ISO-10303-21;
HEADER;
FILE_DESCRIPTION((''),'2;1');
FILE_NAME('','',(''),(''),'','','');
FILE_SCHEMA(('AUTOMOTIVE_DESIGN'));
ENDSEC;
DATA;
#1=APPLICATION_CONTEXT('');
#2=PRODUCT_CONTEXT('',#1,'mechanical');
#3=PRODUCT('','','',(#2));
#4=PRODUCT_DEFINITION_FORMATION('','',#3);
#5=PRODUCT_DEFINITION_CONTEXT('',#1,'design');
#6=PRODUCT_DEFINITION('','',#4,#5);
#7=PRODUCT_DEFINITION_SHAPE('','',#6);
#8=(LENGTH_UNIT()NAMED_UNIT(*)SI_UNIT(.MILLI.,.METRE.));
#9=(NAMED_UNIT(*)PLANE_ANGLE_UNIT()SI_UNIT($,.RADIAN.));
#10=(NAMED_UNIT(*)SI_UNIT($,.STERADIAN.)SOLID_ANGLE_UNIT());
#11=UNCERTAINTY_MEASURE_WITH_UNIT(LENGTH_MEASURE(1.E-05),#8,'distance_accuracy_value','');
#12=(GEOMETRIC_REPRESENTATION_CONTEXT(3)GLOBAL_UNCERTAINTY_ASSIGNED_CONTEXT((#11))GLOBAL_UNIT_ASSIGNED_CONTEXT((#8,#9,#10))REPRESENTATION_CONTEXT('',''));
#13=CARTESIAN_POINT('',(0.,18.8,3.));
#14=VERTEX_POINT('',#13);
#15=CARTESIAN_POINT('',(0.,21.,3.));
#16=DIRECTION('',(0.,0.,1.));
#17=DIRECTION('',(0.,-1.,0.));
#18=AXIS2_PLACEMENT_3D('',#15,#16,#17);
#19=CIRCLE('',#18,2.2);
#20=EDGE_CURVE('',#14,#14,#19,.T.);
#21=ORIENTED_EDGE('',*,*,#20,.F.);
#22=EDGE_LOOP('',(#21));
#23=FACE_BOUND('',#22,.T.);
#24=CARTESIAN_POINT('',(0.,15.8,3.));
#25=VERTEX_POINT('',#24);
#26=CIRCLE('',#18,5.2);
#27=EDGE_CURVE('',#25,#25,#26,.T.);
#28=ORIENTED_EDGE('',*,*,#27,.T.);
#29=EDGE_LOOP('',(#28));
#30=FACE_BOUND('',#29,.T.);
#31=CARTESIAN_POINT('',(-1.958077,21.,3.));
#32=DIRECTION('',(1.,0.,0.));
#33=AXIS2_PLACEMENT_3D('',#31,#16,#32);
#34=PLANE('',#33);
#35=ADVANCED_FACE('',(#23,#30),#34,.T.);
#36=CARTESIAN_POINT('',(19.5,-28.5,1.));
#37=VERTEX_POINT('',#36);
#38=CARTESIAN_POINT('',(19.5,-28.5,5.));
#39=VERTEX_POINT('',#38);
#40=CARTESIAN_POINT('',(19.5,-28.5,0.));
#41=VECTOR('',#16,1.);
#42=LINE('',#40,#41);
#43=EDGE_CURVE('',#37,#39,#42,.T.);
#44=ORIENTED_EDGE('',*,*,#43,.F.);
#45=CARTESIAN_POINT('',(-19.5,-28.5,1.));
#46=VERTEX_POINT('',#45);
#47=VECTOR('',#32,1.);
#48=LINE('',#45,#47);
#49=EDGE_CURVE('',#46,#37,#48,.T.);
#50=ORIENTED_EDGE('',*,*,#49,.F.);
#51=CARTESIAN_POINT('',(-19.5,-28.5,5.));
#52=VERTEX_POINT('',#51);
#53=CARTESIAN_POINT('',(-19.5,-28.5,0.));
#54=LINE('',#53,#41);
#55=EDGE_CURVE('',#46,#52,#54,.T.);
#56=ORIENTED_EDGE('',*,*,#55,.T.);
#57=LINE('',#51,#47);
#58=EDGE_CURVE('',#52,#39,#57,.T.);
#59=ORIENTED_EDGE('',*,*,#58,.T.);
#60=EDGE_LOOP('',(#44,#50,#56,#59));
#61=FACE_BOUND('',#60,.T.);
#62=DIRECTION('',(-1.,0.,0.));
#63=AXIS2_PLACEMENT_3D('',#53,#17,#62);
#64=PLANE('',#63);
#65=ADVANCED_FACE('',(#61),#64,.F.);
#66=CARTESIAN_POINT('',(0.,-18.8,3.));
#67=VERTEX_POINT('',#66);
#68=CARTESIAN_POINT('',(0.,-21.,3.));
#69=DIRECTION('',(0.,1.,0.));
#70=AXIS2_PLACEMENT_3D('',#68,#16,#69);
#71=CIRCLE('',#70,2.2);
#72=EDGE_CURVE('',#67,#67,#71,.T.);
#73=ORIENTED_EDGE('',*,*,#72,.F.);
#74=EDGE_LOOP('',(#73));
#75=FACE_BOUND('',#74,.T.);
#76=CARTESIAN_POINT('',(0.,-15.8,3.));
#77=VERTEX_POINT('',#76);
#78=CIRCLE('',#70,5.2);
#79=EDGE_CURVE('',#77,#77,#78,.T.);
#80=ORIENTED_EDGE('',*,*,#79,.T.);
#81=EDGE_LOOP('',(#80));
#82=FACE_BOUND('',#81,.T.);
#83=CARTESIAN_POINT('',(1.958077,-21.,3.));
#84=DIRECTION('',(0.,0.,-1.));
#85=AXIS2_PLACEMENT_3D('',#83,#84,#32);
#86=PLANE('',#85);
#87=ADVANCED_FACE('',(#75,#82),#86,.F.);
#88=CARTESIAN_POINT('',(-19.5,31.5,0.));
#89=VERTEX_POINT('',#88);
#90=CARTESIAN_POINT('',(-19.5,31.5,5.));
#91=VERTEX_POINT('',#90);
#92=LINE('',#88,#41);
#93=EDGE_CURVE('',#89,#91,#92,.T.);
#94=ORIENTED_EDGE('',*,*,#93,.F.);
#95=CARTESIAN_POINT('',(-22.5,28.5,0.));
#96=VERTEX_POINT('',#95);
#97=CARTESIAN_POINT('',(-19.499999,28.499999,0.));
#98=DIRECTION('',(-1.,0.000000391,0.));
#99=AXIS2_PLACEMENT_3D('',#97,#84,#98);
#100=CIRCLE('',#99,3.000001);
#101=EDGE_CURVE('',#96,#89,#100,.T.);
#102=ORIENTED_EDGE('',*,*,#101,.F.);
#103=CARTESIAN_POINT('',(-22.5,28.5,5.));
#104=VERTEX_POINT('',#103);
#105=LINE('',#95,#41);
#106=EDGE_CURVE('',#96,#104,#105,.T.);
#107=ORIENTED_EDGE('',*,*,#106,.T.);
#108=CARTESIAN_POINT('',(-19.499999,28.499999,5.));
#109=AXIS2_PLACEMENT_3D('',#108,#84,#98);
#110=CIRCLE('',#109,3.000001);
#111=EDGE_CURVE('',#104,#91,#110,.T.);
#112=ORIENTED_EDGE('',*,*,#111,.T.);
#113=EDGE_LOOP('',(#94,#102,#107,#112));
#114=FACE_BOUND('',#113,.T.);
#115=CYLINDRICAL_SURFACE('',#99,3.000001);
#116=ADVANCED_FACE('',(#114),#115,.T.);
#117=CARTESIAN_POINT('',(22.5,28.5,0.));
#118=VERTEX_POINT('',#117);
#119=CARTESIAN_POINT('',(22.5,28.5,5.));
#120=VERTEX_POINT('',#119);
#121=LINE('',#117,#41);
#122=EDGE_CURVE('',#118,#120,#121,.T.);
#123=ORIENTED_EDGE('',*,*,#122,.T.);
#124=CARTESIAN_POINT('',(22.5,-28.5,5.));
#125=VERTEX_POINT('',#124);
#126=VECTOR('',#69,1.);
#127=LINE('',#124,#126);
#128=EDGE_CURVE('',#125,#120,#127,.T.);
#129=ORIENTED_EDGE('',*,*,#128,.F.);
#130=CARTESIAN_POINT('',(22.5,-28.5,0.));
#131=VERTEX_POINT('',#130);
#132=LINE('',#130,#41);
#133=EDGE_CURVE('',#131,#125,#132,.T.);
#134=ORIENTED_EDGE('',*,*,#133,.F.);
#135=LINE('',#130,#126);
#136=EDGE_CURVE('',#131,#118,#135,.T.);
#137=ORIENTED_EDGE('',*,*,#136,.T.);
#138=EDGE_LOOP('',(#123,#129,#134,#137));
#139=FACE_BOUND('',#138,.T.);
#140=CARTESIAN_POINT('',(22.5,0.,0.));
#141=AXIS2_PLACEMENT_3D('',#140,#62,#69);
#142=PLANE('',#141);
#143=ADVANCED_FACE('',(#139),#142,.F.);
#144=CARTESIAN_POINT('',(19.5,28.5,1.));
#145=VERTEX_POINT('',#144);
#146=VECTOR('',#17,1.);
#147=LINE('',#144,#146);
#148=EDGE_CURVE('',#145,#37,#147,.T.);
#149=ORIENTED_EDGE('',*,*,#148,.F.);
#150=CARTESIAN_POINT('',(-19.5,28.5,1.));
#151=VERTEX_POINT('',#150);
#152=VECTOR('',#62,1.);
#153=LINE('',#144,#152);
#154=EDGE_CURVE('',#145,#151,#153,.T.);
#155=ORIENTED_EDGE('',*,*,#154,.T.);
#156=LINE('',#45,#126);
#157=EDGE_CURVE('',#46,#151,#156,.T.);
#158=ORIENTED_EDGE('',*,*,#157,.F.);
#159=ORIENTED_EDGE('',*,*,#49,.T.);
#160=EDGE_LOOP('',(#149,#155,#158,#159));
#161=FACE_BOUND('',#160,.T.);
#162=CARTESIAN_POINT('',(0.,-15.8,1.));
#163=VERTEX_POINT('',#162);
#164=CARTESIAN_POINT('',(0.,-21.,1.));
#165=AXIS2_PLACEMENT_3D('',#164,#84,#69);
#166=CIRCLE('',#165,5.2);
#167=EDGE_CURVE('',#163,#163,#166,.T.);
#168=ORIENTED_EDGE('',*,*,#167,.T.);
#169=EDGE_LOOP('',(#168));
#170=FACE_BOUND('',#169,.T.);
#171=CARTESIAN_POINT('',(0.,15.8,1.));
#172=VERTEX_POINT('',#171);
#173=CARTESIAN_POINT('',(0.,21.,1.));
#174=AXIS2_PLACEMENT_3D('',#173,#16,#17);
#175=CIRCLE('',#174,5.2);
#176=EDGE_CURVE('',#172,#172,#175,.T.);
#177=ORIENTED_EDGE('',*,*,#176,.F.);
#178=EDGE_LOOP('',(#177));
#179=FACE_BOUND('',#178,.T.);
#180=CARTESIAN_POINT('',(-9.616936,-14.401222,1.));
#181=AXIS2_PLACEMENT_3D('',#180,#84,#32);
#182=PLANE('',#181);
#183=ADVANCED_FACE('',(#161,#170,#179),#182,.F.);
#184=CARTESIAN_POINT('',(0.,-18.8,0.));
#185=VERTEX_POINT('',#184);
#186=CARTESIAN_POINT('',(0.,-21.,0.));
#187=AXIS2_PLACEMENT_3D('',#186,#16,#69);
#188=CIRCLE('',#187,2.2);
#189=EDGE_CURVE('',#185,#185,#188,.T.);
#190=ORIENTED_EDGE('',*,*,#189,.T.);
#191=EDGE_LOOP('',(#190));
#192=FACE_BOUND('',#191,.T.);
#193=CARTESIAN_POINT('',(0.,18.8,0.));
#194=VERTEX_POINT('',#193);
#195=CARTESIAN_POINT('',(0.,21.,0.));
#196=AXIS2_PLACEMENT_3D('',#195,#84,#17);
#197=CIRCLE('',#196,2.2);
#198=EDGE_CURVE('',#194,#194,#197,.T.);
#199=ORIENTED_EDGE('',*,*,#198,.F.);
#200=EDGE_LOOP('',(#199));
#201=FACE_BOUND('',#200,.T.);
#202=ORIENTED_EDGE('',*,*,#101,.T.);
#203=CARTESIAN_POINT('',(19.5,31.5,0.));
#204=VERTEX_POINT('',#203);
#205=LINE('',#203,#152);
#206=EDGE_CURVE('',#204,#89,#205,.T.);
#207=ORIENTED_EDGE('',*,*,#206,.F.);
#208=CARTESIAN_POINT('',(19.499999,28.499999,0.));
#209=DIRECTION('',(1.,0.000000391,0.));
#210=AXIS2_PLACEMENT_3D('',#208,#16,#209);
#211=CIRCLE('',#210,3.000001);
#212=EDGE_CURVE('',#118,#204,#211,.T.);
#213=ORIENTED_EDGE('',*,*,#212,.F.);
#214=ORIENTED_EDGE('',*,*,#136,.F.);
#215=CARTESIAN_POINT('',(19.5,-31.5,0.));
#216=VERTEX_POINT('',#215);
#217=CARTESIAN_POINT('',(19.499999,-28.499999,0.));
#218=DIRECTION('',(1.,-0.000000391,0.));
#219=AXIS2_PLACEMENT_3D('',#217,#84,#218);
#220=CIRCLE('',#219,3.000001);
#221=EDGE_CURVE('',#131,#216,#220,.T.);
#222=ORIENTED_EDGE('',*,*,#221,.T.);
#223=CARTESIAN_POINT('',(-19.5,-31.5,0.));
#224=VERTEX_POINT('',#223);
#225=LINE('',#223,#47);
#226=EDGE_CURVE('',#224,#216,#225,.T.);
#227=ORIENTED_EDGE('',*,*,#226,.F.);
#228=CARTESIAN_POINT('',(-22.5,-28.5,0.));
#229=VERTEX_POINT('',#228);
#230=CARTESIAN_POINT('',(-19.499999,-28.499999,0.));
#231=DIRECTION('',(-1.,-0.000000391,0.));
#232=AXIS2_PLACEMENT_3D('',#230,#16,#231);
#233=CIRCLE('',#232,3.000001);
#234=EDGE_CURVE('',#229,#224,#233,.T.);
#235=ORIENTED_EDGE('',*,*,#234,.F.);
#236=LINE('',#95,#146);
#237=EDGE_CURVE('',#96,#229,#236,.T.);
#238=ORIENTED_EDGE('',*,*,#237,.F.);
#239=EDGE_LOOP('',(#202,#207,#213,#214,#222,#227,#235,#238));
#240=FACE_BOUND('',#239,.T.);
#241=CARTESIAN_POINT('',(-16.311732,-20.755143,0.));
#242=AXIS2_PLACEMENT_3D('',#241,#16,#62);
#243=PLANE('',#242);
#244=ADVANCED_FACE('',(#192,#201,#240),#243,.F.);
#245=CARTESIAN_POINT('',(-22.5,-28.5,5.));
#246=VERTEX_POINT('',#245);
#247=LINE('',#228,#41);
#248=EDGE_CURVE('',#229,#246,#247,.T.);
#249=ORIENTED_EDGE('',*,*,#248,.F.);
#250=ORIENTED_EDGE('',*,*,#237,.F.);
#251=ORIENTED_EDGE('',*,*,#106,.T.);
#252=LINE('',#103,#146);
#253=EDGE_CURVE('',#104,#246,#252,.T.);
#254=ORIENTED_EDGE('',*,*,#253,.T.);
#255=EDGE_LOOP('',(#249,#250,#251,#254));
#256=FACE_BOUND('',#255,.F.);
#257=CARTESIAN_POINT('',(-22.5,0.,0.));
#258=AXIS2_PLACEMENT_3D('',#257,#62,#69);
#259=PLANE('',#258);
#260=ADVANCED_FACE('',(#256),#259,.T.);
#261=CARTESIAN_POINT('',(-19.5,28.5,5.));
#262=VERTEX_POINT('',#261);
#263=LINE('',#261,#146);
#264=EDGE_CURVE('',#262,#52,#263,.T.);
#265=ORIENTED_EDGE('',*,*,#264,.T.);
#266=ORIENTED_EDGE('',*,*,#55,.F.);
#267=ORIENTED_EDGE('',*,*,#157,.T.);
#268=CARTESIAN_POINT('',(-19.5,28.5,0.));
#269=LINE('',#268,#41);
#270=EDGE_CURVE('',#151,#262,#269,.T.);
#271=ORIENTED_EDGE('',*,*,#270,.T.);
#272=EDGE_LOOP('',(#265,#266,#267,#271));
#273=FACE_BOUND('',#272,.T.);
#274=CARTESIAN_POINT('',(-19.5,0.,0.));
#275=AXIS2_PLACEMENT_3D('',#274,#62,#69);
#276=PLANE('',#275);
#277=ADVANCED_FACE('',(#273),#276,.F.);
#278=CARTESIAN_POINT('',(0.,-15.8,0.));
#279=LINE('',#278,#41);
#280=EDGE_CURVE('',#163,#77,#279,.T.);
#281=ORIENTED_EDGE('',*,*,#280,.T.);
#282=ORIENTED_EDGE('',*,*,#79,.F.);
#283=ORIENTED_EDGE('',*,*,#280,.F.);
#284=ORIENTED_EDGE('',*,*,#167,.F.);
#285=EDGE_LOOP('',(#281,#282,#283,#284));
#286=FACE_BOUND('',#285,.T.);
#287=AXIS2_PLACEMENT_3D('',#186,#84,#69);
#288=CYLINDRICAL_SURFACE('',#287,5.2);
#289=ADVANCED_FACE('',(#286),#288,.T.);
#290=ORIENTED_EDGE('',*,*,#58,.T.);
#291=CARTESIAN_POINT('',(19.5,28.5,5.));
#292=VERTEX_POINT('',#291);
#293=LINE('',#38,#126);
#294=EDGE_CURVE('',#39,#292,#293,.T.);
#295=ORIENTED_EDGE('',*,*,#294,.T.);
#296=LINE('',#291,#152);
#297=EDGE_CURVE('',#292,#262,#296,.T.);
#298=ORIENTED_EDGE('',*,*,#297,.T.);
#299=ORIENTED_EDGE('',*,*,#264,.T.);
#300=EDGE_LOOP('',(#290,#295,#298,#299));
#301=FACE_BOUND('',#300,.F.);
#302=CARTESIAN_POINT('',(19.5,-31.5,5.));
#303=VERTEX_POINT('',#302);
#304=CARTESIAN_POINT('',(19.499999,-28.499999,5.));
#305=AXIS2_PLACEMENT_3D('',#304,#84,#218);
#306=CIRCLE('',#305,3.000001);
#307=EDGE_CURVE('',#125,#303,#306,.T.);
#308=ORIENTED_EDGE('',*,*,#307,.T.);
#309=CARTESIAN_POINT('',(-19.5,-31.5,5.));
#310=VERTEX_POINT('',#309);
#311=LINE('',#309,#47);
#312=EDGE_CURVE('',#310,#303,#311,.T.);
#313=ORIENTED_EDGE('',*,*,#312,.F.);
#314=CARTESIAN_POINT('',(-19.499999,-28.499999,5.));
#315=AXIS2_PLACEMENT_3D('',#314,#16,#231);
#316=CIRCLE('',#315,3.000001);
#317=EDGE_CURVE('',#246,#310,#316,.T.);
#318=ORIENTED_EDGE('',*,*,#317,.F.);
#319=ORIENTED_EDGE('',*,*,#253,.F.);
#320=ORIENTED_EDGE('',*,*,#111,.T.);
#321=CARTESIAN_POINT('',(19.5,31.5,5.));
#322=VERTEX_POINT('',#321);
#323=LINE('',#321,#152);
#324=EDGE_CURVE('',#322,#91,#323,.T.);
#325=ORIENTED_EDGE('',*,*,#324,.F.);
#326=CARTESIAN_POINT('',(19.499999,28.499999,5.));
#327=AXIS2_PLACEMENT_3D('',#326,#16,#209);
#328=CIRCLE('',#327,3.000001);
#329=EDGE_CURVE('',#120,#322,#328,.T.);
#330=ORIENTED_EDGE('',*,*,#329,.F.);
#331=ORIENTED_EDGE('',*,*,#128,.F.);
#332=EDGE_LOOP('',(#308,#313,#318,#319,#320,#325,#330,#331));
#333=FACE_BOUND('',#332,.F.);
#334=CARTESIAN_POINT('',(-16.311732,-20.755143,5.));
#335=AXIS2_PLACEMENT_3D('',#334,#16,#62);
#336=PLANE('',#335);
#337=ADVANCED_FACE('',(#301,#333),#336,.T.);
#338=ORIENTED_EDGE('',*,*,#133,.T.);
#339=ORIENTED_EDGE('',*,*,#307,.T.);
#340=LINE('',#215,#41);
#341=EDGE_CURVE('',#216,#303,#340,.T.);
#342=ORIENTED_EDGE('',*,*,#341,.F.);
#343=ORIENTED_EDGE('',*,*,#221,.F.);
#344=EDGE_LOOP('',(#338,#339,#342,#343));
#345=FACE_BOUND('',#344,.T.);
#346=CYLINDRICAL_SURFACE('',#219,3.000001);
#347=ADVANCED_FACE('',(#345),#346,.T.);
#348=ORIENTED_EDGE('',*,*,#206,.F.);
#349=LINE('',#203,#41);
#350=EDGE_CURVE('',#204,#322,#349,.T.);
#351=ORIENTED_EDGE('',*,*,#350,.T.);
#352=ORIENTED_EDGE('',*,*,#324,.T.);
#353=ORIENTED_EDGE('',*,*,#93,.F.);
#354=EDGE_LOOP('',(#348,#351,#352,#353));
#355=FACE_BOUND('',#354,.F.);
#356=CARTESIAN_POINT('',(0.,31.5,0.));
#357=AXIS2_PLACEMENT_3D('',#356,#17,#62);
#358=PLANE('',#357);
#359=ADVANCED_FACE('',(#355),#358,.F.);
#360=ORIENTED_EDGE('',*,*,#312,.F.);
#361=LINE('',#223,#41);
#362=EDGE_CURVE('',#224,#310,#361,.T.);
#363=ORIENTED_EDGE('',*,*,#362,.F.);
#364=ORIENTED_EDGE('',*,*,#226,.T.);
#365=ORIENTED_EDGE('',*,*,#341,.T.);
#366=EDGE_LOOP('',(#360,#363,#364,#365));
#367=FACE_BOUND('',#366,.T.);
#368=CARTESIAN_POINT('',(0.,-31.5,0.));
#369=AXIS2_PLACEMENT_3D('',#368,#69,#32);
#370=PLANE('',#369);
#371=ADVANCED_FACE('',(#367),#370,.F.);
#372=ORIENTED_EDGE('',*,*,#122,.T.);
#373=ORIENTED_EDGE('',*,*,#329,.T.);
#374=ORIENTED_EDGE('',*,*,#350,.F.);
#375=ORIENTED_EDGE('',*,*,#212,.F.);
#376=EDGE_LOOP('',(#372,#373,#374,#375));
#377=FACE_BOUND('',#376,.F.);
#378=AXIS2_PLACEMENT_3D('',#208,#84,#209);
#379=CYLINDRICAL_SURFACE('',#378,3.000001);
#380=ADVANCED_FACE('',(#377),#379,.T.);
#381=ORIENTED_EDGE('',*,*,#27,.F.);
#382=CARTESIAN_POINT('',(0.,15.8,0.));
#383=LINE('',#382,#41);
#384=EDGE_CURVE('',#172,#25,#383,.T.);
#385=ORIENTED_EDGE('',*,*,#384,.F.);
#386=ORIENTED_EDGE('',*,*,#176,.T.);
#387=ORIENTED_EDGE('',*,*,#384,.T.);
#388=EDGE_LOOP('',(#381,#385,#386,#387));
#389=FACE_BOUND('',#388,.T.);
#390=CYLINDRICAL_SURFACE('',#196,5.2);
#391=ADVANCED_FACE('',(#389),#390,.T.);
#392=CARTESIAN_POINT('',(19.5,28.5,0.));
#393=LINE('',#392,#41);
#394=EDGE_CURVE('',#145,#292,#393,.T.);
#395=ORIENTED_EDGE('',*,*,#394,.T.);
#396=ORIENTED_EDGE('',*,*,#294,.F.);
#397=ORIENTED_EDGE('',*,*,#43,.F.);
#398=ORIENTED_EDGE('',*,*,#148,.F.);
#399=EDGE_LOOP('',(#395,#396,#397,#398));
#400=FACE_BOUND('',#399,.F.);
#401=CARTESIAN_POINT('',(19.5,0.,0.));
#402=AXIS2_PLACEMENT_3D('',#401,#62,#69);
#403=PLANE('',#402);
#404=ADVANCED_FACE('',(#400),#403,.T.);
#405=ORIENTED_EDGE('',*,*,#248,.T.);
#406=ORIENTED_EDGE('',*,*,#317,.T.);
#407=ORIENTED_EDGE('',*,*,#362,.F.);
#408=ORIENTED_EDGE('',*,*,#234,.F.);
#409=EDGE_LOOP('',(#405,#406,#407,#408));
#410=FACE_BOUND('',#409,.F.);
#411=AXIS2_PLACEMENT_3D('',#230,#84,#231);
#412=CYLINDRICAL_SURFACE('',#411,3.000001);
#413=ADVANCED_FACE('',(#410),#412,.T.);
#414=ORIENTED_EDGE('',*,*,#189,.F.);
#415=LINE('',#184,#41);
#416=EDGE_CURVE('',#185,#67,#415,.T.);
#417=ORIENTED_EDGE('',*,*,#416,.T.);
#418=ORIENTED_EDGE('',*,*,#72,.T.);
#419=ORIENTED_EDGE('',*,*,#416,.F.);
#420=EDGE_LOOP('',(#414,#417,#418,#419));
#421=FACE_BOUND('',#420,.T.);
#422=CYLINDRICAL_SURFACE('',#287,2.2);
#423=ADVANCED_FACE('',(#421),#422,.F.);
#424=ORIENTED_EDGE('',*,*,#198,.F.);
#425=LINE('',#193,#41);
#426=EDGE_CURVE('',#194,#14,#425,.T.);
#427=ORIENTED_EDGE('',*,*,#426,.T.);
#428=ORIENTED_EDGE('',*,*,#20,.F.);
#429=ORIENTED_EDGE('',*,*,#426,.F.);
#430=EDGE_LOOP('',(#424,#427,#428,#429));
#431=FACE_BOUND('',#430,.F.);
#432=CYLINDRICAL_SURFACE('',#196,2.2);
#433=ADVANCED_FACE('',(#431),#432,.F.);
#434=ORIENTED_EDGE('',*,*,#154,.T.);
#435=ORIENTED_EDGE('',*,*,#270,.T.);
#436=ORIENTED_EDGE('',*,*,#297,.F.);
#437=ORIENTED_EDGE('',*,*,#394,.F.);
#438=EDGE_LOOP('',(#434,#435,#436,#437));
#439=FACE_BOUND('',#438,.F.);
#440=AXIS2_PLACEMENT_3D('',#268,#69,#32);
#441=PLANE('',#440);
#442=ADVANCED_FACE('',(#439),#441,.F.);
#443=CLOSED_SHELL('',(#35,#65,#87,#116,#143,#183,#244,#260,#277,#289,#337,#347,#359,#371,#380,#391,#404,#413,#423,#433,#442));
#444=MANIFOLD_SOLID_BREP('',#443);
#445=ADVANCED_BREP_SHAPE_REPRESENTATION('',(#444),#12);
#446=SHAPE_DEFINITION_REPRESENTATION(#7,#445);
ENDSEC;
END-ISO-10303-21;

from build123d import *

# Parameters (mm, degrees)
PAD_DEPTH               = 1
PAD001_DEPTH            = 3
PAD002_DEPTH            = 5
PAD_MIRRORED_2_DEPTH    = 1
PAD001_MIRRORED_2_DEPTH = 3
PAD002_MIRRORED_2_DEPTH = 5


with BuildPart() as part:
    # Sketch → Pad (new body)
    with BuildSketch(Plane.XY):
        with BuildLine():
            Line((0, 0), (19.5, 0))
            Line((19.5, 0), (19.5, 28.5))
            Line((19.5, 28.5), (0, 28.5))
            Line((0, 28.5), (0, 23.2))
            ThreePointArc((0, 18.8), (2.2, 21), (0, 23.2))
            Line((0, 18.8), (0, 0))
        make_face()
    pad = extrude(amount=PAD_DEPTH)

    # Sketch001 → Pad001 (join)
    with BuildSketch(Plane.XY):
        with BuildLine():
            ThreePointArc((0, 18.8), (2.2, 21), (0, 23.2))
            Line((0, 23.2), (0, 26.2))
            ThreePointArc((0, 15.8), (5.2, 21), (0, 26.2))
            Line((0, 18.8), (0, 15.8))
        make_face()
    pad001 = extrude(amount=PAD001_DEPTH)

    # Sketch002 → Pad002 (join)
    with BuildSketch(Plane.XY):
        with BuildLine():
            Line((19.5, 0), (19.5, 28.5))
            Line((19.5, 28.5), (0, 28.5))
            Line((0, 28.5), (0, 31.5))
            Line((0, 31.5), (19.5, 31.5))
            ThreePointArc((22.5, 28.5), (21.62132, 30.62132), (19.5, 31.5))
            Line((22.5, 0), (22.5, 28.5))
            Line((19.5, 0), (22.5, 0))
        make_face()
    pad002 = extrude(amount=PAD002_DEPTH)

    # Sketch Mirrored 2 → Pad Mirrored 2 (add)
    with BuildSketch(Plane(origin=(0, 0, 0), x_dir=(-1, 0, 0), z_dir=(0, 0, -1))):
        with BuildLine():
            Line((0, 0), (19.5, 0))
            Line((19.5, 0), (19.5, 28.5))
            Line((19.5, 28.5), (0, 28.5))
            Line((0, 28.5), (0, 23.2))
            ThreePointArc((0, 18.8), (2.2, 21), (0, 23.2))
            Line((0, 18.8), (0, 0))
        make_face()
    pad_mirrored_2 = extrude(amount=-PAD_MIRRORED_2_DEPTH)

    # Sketch001 Mirrored 2 → Pad001 Mirrored 2 (add)
    with BuildSketch(Plane(origin=(0, 0, 0), x_dir=(-1, 0, 0), z_dir=(0, 0, -1))):
        with BuildLine():
            ThreePointArc((0, 18.8), (2.2, 21), (0, 23.2))
            Line((0, 23.2), (0, 26.2))
            ThreePointArc((0, 15.8), (5.2, 21), (0, 26.2))
            Line((0, 18.8), (0, 15.8))
        make_face()
    pad001_mirrored_2 = extrude(amount=-PAD001_MIRRORED_2_DEPTH)

    # Sketch002 Mirrored 2 → Pad002 Mirrored 2 (add)
    with BuildSketch(Plane(origin=(0, 0, 0), x_dir=(-1, 0, 0), z_dir=(0, 0, -1))):
        with BuildLine():
            Line((19.5, 0), (19.5, 28.5))
            Line((19.5, 28.5), (0, 28.5))
            Line((0, 28.5), (0, 31.5))
            Line((0, 31.5), (19.5, 31.5))
            ThreePointArc((22.5, 28.5), (21.62132, 30.62132), (19.5, 31.5))
            Line((22.5, 0), (22.5, 28.5))
            Line((19.5, 0), (22.5, 0))
        make_face()
    pad002_mirrored_2 = extrude(amount=-PAD002_MIRRORED_2_DEPTH)

    # Mirrored001: Pad, Pad001, Pad002, Pad Mirrored 2, Pad001 Mirrored 2, Pad002 Mirrored 2 across Sketch H_Axis
    add(pad.mirror(Plane.ZX))
    add(pad001.mirror(Plane.ZX))
    add(pad002.mirror(Plane.ZX))
    add(pad_mirrored_2.mirror(Plane.ZX))
    add(pad001_mirrored_2.mirror(Plane.ZX))
    add(pad002_mirrored_2.mirror(Plane.ZX))


solid = part.part
